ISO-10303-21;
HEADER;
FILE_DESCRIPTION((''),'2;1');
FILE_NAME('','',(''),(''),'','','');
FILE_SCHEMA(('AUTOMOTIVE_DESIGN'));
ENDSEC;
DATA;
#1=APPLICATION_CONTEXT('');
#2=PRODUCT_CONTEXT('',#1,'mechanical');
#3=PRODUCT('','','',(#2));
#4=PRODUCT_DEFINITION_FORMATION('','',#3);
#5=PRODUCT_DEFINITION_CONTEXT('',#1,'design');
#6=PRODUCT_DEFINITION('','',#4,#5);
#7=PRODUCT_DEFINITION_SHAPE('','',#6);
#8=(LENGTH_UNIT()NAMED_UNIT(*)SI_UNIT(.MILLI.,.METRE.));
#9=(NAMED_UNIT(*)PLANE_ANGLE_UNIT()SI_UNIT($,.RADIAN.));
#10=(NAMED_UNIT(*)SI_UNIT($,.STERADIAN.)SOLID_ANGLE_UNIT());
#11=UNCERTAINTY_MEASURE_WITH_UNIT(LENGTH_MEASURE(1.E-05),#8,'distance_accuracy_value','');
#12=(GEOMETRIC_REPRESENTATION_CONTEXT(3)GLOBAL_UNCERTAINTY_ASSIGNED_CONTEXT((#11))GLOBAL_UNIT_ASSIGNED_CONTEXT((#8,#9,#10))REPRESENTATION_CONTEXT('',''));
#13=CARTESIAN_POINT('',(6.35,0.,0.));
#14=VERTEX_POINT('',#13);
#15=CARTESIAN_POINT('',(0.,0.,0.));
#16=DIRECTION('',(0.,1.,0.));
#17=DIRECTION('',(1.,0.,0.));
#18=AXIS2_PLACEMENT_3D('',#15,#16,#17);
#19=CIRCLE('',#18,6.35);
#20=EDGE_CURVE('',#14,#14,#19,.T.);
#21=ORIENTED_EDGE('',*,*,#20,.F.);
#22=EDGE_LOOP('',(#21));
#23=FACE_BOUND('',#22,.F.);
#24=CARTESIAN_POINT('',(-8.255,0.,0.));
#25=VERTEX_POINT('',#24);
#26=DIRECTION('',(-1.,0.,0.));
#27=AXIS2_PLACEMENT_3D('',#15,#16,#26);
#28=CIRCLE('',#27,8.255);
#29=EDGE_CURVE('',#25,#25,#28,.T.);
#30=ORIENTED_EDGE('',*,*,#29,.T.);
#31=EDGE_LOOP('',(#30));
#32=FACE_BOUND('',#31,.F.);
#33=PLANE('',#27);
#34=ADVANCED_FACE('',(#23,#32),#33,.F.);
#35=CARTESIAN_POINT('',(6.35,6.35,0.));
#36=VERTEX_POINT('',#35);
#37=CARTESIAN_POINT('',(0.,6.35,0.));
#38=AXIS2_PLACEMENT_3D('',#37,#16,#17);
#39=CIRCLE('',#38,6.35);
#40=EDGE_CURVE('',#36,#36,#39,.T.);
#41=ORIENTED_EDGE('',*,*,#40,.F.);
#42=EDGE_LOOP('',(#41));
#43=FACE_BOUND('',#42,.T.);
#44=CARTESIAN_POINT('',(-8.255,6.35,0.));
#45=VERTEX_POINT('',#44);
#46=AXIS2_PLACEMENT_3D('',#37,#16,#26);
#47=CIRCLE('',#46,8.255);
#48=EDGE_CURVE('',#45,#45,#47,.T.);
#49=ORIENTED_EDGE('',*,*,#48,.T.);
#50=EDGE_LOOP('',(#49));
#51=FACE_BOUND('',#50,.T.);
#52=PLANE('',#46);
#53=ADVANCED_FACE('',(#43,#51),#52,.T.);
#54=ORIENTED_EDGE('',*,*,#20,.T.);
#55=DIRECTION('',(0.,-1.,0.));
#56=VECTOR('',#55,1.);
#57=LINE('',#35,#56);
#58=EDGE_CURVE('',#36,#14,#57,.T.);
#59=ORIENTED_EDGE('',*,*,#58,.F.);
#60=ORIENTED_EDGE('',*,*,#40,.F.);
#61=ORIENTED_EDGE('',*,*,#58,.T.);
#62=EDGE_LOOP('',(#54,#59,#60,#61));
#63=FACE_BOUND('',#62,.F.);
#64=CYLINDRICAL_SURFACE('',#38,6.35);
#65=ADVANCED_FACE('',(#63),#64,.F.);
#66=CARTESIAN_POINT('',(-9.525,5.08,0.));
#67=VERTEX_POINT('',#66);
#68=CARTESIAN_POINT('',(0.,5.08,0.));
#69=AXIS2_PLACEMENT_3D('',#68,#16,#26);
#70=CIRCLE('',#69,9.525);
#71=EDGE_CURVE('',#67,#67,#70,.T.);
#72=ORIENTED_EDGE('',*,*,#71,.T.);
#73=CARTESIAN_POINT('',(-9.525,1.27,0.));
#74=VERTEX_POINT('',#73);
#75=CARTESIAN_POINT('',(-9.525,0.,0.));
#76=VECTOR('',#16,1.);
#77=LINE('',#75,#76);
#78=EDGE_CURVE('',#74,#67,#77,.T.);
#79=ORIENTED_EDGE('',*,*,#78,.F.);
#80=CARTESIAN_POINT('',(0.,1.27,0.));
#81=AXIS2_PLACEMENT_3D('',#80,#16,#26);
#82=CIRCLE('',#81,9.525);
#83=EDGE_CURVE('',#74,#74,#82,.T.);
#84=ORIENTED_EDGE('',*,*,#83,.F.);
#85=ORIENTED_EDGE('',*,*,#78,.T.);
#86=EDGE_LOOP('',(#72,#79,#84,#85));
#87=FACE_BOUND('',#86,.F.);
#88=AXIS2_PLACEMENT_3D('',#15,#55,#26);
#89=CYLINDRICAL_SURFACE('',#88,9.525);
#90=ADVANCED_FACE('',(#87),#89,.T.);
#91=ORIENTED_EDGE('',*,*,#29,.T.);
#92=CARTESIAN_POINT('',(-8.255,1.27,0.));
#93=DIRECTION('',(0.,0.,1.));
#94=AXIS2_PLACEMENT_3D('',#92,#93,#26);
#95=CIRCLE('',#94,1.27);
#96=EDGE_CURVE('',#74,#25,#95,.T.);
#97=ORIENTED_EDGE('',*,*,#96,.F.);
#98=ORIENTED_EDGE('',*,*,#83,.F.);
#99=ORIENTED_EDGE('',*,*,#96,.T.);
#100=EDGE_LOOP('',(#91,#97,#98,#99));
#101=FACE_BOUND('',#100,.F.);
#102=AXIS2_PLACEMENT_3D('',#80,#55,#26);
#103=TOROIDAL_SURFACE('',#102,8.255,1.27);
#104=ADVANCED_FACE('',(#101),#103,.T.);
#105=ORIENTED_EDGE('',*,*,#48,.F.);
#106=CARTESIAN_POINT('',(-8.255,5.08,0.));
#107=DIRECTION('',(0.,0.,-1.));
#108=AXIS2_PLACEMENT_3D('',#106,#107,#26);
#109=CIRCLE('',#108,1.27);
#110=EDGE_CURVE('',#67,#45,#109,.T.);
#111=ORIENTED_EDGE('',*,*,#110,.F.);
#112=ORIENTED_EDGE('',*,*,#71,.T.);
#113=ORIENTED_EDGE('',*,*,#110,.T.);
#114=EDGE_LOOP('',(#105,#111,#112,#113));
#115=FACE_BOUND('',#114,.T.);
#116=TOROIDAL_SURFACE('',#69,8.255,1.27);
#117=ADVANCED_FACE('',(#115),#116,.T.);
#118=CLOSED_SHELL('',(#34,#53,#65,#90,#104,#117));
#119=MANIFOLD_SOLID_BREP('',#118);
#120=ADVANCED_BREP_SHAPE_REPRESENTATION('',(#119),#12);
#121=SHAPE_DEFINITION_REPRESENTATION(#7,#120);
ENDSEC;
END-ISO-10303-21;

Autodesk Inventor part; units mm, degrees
ref_plane "YZ Plane" through (0, 0, 0) normal (1, 0, 0) x (0, 1, 0)
ref_plane "XZ Plane" through (0, 0, 0) normal (0, 1, 0) x (-1, 0, 0)
ref_plane "XY Plane" through (0, 0, 0) normal (0, 0, 1) x (1, 0, 0)
sketch "Sketch1" plane through (0, 0, 0) normal (0, 1, 0) x (-1, 0, 0)
  circle A0 centre (0, 0) radius 9.525
  dimension "d0" = 19.05
extrude "Extrusion1" add sketch "Sketch1" along normal blind 6.35
sketch "Sketch2" plane through (0, 6.35, 0) normal (0, 1, 0) x (1, 0, 0)
  circle A0 centre (0, 0) radius 6.35
  dimension "d3" = 12.7
extrude "Extrusion2" cut sketch "Sketch2" against normal blind 6.35
fillet "Fillet1" radius 1.27 2 edges at (9.525, 6.35, 0) (9.525, 0, 0)
properties part number "Stopper"
